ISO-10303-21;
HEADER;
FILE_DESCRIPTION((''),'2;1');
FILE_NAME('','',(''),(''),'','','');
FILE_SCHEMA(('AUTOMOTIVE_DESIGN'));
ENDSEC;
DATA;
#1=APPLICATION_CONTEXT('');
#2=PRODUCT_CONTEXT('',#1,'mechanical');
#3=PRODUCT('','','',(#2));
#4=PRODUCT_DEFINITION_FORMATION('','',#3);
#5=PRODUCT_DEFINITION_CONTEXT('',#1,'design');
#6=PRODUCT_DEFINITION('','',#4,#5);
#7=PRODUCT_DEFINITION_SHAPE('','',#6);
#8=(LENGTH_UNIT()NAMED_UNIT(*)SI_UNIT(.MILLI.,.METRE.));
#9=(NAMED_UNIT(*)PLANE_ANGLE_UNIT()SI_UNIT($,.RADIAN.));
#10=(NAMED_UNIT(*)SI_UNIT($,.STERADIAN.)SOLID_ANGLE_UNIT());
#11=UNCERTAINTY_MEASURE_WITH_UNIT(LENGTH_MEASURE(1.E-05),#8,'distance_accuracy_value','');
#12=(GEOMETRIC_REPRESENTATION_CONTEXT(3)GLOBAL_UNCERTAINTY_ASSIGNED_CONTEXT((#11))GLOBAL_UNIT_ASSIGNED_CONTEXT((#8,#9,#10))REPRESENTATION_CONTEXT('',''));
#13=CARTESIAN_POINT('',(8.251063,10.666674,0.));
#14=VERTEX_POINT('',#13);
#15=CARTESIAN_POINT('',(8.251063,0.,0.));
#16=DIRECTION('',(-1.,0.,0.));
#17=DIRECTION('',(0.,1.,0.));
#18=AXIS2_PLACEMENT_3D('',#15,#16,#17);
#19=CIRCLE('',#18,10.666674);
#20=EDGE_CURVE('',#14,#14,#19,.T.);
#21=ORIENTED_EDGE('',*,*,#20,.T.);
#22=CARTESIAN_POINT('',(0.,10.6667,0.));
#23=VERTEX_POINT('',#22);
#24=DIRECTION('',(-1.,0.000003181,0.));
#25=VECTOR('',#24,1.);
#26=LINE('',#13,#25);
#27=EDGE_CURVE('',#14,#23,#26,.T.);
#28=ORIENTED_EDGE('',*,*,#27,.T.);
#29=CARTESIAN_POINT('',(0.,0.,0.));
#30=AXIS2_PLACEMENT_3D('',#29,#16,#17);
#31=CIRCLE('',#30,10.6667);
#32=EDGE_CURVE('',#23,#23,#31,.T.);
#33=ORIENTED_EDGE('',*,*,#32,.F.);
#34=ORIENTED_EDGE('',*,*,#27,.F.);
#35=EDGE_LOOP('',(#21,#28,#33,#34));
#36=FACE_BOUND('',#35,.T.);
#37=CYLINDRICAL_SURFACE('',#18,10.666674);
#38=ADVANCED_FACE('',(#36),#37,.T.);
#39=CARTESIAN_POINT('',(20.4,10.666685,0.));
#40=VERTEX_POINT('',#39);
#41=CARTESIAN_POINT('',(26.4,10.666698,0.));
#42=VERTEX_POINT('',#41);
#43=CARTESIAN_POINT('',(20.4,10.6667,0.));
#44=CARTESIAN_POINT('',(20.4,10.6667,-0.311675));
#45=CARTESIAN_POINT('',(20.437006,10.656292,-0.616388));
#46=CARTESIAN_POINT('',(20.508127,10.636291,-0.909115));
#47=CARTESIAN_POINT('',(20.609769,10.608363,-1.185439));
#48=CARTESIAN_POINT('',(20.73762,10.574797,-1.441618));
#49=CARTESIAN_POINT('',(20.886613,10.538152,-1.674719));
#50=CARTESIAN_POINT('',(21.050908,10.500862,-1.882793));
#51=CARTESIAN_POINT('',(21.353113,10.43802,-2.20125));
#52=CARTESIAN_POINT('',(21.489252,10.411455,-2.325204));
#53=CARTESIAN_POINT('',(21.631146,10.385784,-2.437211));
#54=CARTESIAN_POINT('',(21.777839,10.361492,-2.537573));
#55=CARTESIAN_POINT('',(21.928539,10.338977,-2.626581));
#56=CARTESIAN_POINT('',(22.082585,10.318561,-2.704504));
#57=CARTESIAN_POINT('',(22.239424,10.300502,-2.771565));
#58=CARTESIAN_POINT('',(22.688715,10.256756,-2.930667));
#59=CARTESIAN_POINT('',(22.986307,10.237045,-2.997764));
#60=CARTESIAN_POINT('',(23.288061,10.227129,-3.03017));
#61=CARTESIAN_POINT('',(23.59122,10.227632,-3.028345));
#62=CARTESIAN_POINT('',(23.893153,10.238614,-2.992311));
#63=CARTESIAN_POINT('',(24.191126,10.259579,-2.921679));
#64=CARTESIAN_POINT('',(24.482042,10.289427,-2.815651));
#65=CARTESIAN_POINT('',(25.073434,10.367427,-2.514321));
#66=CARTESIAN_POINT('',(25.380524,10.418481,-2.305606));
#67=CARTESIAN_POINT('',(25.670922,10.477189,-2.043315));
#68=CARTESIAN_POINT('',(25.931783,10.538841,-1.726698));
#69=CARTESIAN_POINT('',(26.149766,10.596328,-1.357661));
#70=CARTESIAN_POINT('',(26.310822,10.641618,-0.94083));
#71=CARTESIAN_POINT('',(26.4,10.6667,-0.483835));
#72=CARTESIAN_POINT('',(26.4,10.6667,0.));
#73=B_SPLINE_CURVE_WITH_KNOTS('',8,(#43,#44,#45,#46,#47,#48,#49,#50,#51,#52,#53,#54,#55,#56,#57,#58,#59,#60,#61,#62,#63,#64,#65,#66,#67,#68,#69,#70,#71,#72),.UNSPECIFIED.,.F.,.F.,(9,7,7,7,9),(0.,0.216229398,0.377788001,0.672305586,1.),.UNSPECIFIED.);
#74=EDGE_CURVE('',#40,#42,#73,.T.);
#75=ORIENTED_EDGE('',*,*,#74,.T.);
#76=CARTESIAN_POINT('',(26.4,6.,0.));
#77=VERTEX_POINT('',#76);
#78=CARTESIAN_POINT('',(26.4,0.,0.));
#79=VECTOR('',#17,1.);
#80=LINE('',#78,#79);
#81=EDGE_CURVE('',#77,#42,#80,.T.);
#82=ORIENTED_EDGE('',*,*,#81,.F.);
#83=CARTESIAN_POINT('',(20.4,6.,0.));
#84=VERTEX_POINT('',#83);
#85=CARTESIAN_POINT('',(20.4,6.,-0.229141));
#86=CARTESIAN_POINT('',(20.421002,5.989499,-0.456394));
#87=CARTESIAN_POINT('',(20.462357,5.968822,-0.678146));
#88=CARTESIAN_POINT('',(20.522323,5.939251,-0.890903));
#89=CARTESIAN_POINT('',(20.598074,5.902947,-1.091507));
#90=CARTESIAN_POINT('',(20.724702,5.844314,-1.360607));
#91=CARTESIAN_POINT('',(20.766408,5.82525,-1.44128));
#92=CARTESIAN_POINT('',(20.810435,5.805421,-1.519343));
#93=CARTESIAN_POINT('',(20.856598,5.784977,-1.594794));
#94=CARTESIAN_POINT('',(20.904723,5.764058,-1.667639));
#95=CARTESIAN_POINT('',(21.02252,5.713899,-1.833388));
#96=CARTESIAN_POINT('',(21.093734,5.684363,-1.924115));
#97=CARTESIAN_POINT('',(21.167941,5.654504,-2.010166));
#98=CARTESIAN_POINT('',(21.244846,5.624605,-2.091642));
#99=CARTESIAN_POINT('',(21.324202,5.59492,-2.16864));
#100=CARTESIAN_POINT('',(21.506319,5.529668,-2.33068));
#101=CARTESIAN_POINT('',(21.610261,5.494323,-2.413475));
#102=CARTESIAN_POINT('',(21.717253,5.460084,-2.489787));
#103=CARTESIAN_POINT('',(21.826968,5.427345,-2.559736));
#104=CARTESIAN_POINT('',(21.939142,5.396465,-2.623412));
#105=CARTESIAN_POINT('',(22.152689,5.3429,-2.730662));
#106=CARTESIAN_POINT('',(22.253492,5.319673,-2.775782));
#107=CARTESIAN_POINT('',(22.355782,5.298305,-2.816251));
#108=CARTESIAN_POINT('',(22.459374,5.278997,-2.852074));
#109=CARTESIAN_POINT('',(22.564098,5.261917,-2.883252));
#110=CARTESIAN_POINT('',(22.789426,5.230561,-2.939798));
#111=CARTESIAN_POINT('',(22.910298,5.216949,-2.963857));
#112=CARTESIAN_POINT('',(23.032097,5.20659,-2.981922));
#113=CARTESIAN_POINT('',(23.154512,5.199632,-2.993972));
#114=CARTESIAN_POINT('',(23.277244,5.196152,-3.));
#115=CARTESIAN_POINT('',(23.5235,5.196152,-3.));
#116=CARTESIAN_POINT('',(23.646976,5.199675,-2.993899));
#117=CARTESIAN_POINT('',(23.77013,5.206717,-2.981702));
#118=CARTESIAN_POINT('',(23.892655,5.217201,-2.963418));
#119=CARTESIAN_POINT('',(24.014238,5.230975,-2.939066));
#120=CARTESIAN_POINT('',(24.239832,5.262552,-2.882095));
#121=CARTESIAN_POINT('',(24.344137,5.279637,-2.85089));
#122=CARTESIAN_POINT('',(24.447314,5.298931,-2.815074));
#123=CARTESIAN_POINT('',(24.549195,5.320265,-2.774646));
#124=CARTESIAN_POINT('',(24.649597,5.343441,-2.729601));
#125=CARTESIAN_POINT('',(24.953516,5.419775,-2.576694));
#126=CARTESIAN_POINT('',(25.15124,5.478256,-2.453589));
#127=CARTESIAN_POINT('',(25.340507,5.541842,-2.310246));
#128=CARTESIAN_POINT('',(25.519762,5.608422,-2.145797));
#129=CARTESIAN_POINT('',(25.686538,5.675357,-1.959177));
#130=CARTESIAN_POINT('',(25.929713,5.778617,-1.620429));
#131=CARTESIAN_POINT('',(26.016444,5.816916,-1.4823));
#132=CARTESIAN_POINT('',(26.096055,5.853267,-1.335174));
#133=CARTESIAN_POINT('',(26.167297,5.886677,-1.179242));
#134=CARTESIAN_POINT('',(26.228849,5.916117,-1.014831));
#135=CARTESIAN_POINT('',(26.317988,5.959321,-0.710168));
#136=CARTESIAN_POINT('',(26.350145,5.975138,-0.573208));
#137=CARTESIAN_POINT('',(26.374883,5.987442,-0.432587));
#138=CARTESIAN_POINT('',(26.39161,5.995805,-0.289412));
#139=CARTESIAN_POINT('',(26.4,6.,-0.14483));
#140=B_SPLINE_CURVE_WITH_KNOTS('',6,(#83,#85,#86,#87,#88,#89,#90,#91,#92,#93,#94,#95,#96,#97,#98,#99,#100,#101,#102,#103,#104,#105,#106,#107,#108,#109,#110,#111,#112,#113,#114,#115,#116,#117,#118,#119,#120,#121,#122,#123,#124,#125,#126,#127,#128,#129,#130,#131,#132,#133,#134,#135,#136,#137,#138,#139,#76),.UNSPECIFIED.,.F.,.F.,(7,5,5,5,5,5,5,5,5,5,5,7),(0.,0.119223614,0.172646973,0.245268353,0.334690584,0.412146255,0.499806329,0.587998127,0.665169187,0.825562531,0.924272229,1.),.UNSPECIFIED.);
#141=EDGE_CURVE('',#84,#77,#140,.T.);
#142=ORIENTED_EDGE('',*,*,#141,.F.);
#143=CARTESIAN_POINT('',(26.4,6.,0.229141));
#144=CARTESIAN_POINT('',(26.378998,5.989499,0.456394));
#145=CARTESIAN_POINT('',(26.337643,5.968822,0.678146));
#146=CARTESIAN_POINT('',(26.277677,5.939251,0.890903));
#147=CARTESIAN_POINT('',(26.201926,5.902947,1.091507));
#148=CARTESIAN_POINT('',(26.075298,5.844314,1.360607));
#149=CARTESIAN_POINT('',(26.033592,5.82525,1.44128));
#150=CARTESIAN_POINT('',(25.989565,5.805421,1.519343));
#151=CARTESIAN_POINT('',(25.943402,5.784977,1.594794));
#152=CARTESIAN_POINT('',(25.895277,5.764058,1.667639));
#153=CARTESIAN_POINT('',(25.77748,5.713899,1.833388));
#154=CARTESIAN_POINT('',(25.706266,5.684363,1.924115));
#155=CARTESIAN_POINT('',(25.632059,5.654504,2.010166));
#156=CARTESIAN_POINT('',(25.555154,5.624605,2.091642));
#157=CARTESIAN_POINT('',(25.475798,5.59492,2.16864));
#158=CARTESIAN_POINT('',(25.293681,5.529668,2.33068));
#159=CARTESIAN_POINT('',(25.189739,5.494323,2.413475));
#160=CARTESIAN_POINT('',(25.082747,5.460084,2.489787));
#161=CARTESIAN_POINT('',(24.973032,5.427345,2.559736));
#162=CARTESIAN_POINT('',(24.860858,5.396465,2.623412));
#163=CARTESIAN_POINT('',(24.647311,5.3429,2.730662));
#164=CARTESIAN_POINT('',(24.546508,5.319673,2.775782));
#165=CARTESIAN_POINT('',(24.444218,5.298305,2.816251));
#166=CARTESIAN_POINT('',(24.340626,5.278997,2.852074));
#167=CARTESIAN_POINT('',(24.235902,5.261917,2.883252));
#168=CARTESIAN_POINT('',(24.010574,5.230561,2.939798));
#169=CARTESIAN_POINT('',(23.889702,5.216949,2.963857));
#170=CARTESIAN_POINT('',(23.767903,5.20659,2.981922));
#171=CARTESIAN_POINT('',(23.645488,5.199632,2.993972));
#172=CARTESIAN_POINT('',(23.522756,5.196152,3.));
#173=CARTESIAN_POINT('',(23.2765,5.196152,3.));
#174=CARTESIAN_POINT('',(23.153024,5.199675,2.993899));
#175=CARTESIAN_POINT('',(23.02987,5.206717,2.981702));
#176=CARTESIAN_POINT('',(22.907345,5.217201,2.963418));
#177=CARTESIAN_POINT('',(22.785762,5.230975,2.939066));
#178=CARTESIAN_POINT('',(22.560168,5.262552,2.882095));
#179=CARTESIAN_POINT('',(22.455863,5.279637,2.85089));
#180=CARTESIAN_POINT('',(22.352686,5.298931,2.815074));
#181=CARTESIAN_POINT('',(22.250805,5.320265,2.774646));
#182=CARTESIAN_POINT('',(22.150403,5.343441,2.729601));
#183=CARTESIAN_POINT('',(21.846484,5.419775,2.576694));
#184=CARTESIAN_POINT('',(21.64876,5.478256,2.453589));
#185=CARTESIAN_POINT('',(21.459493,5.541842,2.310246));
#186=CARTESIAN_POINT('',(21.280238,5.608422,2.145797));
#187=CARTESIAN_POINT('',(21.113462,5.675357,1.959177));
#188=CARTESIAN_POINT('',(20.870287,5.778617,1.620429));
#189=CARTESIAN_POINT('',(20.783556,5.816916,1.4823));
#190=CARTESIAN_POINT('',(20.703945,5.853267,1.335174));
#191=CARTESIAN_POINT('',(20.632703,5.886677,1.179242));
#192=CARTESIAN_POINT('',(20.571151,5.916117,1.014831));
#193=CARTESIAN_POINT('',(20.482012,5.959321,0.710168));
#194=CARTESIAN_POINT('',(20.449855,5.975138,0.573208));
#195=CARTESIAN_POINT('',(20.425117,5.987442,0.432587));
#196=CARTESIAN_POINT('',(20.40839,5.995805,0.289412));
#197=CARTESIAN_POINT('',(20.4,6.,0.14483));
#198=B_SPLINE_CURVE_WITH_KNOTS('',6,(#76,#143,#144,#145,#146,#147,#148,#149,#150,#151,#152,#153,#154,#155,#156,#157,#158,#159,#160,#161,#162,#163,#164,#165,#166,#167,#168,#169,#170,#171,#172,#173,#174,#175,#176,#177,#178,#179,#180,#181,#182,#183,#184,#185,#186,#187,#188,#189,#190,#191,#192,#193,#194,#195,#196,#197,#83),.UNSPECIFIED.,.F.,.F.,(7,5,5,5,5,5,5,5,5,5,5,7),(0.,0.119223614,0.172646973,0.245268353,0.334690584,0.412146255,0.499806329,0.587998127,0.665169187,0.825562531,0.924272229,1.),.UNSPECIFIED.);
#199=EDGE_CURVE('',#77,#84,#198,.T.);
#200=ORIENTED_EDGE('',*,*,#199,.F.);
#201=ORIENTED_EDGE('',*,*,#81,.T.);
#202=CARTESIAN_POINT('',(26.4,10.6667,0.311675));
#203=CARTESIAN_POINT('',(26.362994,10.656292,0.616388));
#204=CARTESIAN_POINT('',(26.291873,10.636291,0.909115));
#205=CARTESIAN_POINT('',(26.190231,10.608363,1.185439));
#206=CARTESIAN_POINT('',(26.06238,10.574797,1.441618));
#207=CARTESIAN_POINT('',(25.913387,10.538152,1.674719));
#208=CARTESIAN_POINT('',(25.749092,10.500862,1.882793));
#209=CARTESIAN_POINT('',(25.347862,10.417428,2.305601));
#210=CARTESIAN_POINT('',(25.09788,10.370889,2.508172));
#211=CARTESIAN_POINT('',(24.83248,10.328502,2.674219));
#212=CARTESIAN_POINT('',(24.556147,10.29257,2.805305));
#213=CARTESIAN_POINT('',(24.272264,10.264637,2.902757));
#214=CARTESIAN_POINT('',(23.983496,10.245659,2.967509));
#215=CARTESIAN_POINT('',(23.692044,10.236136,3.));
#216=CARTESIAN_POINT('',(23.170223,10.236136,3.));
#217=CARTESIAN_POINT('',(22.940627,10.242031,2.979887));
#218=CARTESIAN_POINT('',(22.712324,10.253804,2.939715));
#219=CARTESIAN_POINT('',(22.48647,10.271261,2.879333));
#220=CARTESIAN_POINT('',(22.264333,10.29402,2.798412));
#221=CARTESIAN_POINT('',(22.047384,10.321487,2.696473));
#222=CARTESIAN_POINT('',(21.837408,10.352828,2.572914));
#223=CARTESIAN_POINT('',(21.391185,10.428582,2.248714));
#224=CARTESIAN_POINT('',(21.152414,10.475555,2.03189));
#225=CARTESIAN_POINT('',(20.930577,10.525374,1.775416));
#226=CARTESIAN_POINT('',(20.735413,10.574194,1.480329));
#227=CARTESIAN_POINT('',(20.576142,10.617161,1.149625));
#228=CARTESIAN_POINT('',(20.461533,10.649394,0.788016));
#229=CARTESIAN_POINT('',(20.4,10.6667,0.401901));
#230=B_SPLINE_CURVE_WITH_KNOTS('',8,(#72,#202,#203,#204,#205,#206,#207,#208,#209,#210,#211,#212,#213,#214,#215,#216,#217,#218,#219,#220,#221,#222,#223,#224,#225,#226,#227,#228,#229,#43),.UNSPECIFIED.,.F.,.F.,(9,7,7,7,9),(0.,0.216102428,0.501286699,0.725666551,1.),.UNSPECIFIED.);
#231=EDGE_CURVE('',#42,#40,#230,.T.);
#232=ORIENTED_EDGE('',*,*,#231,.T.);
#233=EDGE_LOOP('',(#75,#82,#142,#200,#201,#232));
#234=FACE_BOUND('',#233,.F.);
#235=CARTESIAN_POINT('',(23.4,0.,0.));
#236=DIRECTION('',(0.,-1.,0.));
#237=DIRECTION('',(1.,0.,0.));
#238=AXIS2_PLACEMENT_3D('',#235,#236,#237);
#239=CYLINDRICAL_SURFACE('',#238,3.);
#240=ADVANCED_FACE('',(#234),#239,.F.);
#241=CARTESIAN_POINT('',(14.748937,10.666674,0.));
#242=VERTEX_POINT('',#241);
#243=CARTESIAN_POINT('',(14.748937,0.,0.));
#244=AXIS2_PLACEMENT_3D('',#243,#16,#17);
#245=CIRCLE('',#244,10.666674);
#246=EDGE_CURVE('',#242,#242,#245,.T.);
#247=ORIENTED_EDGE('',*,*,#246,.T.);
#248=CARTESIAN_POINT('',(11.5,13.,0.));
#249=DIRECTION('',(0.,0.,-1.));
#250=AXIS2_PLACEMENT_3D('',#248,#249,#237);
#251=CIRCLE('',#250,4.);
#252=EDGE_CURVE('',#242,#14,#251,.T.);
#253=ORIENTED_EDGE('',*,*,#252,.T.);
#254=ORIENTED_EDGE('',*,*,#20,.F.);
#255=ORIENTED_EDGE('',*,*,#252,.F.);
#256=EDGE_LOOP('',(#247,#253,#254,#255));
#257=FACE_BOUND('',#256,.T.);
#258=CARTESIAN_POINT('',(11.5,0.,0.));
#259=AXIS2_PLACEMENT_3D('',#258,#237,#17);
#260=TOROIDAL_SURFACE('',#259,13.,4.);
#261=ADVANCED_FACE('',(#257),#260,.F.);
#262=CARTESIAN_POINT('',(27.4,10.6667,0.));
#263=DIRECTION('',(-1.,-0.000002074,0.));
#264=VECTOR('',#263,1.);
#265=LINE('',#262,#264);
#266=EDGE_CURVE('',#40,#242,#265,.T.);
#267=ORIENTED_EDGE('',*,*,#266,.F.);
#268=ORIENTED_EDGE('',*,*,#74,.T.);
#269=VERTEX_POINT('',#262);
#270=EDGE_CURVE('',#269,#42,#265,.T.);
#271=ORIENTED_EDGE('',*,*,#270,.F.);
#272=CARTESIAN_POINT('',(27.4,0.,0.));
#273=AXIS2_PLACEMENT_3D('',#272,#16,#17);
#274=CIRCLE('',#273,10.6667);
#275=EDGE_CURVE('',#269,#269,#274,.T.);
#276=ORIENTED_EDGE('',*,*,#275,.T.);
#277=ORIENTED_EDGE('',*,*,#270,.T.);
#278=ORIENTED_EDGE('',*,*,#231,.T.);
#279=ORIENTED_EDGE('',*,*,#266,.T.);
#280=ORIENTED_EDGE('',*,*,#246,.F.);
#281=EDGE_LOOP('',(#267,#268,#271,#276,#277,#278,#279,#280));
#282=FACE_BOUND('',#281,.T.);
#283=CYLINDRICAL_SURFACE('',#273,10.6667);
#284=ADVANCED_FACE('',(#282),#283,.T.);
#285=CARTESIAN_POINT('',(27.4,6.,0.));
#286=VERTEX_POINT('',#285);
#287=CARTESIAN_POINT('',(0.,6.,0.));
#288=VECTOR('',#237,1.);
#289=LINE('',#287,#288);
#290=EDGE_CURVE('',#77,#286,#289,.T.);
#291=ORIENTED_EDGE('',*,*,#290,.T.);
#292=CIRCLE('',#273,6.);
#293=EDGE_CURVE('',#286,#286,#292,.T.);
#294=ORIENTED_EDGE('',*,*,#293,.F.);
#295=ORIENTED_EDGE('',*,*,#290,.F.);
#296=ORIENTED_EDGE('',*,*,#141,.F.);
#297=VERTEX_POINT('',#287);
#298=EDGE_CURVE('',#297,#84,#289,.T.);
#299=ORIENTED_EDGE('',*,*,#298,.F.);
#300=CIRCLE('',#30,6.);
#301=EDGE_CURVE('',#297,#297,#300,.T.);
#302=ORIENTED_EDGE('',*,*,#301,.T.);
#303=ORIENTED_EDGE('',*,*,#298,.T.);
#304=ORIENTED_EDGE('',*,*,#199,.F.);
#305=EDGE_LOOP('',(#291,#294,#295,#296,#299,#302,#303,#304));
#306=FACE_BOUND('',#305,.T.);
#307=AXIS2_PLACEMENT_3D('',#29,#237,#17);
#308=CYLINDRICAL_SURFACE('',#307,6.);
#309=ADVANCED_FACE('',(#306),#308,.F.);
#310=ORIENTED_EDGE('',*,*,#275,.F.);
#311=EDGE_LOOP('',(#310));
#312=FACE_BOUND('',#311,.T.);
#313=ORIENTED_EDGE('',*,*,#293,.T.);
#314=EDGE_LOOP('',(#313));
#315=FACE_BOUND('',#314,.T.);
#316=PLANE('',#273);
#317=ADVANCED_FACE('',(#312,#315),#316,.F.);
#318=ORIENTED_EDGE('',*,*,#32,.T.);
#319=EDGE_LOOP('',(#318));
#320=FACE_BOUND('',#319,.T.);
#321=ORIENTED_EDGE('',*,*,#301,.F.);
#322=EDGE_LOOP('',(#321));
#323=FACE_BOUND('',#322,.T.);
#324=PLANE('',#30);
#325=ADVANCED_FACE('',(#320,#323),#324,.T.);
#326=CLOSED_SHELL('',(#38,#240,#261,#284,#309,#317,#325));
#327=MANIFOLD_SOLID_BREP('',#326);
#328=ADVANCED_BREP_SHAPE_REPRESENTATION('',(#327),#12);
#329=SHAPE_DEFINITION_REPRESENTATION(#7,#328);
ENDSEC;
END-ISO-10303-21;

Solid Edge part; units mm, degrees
sketch "Sketch1" plane through (0, 0, 0) normal (0, 0, 1) x (1, 0, 0)
  line L0 (0, 10.6667) -> (0, 6)
  line L1 (0, 6) -> (27.4, 6)
  line L2 (27.4, 6) -> (27.4, 10.6667)
  line L3 (27.4, 10.6667) -> (14.7489, 10.6667)
  arc A0 (14.7489, 10.6667) -> (8.2511, 10.6667) centre (11.5, 13) cw
  line L4 (8.2511, 10.6667) -> (0, 10.6667)
revolve "RevolvedProtrusion1" add sketch "Sketch1" angle 360 about axis through (27.4, 0, 0) along (-1, 0, 0)
sketch "Sketch2" plane through (0, 0, 0) normal (0, -1, 0) x (1, 0, 0)
  circle A0 centre (23.4, 0) radius 3
extrude "Cutout1" cut sketch "Sketch2" against normal blind 40
properties part number "UCP201 GB/T7810-1995_PART2"
